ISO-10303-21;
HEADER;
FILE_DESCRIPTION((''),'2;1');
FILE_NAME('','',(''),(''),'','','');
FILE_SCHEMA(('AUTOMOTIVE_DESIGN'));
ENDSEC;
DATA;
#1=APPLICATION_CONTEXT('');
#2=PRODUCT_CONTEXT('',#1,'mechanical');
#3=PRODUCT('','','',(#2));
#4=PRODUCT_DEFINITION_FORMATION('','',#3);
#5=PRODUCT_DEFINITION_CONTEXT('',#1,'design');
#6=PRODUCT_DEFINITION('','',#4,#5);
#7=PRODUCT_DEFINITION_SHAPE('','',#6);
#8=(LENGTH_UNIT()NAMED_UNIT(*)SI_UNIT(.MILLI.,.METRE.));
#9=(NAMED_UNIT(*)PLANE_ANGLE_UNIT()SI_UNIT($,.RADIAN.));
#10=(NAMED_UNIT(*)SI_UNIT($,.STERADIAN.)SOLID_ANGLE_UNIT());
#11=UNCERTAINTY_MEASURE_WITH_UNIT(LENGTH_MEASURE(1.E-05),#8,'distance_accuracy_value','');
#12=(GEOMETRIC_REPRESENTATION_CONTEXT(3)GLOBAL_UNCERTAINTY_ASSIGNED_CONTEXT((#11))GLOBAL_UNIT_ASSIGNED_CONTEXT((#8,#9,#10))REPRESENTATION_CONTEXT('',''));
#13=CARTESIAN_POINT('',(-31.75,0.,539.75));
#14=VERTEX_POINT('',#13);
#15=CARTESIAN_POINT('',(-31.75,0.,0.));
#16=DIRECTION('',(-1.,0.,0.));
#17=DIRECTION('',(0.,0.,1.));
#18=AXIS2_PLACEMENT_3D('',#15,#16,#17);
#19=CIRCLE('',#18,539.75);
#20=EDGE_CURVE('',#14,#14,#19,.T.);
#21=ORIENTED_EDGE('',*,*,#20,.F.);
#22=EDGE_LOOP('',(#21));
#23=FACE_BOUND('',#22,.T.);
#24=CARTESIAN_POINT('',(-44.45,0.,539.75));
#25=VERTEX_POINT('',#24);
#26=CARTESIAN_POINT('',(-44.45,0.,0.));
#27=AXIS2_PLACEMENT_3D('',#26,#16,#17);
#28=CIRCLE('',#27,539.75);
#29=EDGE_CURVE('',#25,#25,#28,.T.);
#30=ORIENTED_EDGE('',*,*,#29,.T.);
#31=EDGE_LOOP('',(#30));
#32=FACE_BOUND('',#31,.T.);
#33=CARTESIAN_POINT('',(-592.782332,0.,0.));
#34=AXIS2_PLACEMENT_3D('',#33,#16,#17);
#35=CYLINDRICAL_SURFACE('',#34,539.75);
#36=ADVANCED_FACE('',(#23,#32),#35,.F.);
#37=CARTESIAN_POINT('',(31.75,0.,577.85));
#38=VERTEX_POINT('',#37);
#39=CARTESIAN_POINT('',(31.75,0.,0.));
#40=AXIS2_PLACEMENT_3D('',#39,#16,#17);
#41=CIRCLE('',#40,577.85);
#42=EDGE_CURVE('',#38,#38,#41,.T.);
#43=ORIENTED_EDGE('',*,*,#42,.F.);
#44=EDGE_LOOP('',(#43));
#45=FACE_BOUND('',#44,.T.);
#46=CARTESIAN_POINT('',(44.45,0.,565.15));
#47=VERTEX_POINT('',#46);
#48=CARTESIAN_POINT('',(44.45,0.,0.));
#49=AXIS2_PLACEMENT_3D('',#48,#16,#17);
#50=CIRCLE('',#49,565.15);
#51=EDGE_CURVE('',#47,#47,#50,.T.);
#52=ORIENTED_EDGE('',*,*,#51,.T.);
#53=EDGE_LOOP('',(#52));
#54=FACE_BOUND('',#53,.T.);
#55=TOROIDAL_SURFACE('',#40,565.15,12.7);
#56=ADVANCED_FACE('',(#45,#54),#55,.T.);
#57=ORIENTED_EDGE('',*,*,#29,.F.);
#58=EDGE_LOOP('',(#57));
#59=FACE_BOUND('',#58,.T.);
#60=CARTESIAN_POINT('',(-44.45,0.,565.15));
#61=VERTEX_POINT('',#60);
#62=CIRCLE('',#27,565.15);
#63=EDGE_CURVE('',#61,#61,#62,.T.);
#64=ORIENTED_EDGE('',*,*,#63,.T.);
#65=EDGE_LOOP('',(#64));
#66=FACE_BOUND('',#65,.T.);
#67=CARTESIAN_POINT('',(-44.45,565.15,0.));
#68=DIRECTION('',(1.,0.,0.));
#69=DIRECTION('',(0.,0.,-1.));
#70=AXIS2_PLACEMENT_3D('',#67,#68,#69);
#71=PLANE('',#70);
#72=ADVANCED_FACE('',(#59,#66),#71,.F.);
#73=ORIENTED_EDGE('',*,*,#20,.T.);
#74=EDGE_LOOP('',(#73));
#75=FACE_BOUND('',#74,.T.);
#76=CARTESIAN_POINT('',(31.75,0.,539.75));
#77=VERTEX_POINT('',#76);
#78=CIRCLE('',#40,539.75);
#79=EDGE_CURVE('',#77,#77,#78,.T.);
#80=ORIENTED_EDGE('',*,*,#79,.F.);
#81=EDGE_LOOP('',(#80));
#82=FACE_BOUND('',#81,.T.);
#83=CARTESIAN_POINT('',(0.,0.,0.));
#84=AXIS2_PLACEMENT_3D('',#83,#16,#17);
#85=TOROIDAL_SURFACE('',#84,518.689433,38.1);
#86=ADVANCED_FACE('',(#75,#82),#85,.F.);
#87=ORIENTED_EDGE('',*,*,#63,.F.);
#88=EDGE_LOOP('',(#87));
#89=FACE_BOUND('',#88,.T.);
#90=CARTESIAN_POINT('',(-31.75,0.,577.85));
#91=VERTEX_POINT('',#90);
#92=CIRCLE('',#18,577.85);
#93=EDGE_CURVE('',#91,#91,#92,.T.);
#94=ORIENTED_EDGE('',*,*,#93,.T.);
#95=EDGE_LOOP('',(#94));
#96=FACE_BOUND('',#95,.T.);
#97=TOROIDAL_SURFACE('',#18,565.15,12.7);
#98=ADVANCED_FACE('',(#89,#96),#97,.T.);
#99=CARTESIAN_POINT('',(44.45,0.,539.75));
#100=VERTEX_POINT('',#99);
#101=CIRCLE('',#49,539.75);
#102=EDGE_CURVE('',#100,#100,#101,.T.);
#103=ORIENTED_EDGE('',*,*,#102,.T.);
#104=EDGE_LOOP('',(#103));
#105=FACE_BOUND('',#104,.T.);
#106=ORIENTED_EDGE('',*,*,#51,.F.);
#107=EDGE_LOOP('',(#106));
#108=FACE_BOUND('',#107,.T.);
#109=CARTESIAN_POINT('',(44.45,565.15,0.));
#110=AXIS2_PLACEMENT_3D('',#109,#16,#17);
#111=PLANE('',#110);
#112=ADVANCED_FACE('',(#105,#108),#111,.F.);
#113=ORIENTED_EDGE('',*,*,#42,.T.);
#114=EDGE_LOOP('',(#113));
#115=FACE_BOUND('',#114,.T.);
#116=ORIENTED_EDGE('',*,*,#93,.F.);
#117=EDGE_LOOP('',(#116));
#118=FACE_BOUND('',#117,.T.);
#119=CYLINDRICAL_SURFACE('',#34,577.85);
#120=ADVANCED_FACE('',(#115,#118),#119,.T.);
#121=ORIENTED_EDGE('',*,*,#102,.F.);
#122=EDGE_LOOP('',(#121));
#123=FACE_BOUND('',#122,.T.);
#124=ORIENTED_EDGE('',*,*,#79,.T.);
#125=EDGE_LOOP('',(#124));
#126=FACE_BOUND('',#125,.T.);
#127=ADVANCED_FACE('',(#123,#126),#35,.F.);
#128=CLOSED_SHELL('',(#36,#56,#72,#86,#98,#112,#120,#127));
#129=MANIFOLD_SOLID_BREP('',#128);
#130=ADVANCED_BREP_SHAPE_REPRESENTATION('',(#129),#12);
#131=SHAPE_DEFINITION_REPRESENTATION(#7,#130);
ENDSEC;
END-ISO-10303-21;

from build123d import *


with BuildPart() as part:
    # Sketch1 → Revolve1 (revolve)
    with BuildSketch(Plane.XY, mode=Mode.PRIVATE) as revolve1_sk:
        with BuildLine():
            Line((31.75, 539.75), (44.45, 539.75))
            Line((44.45, 539.75), (44.45, 565.15))
            ThreePointArc((44.45, 565.15), (40.730256121, 574.130256121), (31.75, 577.85))
            Line((31.75, 577.85), (-31.75, 577.85))
            ThreePointArc((-31.75, 577.85), (-40.730256121, 574.130256121), (-44.45, 565.15))
            Line((-44.45, 565.15), (-44.45, 539.75))
            Line((-44.45, 539.75), (-31.75, 539.75))
            ThreePointArc((-31.75, 539.75), (0, 556.789432581), (31.75, 539.75))
        make_face()
    revolve(revolve1_sk.sketch.rotate(Axis((-592.782331512, 0, 0), (1, 0, 0)), 90), axis=Axis((-592.782331512, 0, 0), (1, 0, 0)))


solid = part.part
